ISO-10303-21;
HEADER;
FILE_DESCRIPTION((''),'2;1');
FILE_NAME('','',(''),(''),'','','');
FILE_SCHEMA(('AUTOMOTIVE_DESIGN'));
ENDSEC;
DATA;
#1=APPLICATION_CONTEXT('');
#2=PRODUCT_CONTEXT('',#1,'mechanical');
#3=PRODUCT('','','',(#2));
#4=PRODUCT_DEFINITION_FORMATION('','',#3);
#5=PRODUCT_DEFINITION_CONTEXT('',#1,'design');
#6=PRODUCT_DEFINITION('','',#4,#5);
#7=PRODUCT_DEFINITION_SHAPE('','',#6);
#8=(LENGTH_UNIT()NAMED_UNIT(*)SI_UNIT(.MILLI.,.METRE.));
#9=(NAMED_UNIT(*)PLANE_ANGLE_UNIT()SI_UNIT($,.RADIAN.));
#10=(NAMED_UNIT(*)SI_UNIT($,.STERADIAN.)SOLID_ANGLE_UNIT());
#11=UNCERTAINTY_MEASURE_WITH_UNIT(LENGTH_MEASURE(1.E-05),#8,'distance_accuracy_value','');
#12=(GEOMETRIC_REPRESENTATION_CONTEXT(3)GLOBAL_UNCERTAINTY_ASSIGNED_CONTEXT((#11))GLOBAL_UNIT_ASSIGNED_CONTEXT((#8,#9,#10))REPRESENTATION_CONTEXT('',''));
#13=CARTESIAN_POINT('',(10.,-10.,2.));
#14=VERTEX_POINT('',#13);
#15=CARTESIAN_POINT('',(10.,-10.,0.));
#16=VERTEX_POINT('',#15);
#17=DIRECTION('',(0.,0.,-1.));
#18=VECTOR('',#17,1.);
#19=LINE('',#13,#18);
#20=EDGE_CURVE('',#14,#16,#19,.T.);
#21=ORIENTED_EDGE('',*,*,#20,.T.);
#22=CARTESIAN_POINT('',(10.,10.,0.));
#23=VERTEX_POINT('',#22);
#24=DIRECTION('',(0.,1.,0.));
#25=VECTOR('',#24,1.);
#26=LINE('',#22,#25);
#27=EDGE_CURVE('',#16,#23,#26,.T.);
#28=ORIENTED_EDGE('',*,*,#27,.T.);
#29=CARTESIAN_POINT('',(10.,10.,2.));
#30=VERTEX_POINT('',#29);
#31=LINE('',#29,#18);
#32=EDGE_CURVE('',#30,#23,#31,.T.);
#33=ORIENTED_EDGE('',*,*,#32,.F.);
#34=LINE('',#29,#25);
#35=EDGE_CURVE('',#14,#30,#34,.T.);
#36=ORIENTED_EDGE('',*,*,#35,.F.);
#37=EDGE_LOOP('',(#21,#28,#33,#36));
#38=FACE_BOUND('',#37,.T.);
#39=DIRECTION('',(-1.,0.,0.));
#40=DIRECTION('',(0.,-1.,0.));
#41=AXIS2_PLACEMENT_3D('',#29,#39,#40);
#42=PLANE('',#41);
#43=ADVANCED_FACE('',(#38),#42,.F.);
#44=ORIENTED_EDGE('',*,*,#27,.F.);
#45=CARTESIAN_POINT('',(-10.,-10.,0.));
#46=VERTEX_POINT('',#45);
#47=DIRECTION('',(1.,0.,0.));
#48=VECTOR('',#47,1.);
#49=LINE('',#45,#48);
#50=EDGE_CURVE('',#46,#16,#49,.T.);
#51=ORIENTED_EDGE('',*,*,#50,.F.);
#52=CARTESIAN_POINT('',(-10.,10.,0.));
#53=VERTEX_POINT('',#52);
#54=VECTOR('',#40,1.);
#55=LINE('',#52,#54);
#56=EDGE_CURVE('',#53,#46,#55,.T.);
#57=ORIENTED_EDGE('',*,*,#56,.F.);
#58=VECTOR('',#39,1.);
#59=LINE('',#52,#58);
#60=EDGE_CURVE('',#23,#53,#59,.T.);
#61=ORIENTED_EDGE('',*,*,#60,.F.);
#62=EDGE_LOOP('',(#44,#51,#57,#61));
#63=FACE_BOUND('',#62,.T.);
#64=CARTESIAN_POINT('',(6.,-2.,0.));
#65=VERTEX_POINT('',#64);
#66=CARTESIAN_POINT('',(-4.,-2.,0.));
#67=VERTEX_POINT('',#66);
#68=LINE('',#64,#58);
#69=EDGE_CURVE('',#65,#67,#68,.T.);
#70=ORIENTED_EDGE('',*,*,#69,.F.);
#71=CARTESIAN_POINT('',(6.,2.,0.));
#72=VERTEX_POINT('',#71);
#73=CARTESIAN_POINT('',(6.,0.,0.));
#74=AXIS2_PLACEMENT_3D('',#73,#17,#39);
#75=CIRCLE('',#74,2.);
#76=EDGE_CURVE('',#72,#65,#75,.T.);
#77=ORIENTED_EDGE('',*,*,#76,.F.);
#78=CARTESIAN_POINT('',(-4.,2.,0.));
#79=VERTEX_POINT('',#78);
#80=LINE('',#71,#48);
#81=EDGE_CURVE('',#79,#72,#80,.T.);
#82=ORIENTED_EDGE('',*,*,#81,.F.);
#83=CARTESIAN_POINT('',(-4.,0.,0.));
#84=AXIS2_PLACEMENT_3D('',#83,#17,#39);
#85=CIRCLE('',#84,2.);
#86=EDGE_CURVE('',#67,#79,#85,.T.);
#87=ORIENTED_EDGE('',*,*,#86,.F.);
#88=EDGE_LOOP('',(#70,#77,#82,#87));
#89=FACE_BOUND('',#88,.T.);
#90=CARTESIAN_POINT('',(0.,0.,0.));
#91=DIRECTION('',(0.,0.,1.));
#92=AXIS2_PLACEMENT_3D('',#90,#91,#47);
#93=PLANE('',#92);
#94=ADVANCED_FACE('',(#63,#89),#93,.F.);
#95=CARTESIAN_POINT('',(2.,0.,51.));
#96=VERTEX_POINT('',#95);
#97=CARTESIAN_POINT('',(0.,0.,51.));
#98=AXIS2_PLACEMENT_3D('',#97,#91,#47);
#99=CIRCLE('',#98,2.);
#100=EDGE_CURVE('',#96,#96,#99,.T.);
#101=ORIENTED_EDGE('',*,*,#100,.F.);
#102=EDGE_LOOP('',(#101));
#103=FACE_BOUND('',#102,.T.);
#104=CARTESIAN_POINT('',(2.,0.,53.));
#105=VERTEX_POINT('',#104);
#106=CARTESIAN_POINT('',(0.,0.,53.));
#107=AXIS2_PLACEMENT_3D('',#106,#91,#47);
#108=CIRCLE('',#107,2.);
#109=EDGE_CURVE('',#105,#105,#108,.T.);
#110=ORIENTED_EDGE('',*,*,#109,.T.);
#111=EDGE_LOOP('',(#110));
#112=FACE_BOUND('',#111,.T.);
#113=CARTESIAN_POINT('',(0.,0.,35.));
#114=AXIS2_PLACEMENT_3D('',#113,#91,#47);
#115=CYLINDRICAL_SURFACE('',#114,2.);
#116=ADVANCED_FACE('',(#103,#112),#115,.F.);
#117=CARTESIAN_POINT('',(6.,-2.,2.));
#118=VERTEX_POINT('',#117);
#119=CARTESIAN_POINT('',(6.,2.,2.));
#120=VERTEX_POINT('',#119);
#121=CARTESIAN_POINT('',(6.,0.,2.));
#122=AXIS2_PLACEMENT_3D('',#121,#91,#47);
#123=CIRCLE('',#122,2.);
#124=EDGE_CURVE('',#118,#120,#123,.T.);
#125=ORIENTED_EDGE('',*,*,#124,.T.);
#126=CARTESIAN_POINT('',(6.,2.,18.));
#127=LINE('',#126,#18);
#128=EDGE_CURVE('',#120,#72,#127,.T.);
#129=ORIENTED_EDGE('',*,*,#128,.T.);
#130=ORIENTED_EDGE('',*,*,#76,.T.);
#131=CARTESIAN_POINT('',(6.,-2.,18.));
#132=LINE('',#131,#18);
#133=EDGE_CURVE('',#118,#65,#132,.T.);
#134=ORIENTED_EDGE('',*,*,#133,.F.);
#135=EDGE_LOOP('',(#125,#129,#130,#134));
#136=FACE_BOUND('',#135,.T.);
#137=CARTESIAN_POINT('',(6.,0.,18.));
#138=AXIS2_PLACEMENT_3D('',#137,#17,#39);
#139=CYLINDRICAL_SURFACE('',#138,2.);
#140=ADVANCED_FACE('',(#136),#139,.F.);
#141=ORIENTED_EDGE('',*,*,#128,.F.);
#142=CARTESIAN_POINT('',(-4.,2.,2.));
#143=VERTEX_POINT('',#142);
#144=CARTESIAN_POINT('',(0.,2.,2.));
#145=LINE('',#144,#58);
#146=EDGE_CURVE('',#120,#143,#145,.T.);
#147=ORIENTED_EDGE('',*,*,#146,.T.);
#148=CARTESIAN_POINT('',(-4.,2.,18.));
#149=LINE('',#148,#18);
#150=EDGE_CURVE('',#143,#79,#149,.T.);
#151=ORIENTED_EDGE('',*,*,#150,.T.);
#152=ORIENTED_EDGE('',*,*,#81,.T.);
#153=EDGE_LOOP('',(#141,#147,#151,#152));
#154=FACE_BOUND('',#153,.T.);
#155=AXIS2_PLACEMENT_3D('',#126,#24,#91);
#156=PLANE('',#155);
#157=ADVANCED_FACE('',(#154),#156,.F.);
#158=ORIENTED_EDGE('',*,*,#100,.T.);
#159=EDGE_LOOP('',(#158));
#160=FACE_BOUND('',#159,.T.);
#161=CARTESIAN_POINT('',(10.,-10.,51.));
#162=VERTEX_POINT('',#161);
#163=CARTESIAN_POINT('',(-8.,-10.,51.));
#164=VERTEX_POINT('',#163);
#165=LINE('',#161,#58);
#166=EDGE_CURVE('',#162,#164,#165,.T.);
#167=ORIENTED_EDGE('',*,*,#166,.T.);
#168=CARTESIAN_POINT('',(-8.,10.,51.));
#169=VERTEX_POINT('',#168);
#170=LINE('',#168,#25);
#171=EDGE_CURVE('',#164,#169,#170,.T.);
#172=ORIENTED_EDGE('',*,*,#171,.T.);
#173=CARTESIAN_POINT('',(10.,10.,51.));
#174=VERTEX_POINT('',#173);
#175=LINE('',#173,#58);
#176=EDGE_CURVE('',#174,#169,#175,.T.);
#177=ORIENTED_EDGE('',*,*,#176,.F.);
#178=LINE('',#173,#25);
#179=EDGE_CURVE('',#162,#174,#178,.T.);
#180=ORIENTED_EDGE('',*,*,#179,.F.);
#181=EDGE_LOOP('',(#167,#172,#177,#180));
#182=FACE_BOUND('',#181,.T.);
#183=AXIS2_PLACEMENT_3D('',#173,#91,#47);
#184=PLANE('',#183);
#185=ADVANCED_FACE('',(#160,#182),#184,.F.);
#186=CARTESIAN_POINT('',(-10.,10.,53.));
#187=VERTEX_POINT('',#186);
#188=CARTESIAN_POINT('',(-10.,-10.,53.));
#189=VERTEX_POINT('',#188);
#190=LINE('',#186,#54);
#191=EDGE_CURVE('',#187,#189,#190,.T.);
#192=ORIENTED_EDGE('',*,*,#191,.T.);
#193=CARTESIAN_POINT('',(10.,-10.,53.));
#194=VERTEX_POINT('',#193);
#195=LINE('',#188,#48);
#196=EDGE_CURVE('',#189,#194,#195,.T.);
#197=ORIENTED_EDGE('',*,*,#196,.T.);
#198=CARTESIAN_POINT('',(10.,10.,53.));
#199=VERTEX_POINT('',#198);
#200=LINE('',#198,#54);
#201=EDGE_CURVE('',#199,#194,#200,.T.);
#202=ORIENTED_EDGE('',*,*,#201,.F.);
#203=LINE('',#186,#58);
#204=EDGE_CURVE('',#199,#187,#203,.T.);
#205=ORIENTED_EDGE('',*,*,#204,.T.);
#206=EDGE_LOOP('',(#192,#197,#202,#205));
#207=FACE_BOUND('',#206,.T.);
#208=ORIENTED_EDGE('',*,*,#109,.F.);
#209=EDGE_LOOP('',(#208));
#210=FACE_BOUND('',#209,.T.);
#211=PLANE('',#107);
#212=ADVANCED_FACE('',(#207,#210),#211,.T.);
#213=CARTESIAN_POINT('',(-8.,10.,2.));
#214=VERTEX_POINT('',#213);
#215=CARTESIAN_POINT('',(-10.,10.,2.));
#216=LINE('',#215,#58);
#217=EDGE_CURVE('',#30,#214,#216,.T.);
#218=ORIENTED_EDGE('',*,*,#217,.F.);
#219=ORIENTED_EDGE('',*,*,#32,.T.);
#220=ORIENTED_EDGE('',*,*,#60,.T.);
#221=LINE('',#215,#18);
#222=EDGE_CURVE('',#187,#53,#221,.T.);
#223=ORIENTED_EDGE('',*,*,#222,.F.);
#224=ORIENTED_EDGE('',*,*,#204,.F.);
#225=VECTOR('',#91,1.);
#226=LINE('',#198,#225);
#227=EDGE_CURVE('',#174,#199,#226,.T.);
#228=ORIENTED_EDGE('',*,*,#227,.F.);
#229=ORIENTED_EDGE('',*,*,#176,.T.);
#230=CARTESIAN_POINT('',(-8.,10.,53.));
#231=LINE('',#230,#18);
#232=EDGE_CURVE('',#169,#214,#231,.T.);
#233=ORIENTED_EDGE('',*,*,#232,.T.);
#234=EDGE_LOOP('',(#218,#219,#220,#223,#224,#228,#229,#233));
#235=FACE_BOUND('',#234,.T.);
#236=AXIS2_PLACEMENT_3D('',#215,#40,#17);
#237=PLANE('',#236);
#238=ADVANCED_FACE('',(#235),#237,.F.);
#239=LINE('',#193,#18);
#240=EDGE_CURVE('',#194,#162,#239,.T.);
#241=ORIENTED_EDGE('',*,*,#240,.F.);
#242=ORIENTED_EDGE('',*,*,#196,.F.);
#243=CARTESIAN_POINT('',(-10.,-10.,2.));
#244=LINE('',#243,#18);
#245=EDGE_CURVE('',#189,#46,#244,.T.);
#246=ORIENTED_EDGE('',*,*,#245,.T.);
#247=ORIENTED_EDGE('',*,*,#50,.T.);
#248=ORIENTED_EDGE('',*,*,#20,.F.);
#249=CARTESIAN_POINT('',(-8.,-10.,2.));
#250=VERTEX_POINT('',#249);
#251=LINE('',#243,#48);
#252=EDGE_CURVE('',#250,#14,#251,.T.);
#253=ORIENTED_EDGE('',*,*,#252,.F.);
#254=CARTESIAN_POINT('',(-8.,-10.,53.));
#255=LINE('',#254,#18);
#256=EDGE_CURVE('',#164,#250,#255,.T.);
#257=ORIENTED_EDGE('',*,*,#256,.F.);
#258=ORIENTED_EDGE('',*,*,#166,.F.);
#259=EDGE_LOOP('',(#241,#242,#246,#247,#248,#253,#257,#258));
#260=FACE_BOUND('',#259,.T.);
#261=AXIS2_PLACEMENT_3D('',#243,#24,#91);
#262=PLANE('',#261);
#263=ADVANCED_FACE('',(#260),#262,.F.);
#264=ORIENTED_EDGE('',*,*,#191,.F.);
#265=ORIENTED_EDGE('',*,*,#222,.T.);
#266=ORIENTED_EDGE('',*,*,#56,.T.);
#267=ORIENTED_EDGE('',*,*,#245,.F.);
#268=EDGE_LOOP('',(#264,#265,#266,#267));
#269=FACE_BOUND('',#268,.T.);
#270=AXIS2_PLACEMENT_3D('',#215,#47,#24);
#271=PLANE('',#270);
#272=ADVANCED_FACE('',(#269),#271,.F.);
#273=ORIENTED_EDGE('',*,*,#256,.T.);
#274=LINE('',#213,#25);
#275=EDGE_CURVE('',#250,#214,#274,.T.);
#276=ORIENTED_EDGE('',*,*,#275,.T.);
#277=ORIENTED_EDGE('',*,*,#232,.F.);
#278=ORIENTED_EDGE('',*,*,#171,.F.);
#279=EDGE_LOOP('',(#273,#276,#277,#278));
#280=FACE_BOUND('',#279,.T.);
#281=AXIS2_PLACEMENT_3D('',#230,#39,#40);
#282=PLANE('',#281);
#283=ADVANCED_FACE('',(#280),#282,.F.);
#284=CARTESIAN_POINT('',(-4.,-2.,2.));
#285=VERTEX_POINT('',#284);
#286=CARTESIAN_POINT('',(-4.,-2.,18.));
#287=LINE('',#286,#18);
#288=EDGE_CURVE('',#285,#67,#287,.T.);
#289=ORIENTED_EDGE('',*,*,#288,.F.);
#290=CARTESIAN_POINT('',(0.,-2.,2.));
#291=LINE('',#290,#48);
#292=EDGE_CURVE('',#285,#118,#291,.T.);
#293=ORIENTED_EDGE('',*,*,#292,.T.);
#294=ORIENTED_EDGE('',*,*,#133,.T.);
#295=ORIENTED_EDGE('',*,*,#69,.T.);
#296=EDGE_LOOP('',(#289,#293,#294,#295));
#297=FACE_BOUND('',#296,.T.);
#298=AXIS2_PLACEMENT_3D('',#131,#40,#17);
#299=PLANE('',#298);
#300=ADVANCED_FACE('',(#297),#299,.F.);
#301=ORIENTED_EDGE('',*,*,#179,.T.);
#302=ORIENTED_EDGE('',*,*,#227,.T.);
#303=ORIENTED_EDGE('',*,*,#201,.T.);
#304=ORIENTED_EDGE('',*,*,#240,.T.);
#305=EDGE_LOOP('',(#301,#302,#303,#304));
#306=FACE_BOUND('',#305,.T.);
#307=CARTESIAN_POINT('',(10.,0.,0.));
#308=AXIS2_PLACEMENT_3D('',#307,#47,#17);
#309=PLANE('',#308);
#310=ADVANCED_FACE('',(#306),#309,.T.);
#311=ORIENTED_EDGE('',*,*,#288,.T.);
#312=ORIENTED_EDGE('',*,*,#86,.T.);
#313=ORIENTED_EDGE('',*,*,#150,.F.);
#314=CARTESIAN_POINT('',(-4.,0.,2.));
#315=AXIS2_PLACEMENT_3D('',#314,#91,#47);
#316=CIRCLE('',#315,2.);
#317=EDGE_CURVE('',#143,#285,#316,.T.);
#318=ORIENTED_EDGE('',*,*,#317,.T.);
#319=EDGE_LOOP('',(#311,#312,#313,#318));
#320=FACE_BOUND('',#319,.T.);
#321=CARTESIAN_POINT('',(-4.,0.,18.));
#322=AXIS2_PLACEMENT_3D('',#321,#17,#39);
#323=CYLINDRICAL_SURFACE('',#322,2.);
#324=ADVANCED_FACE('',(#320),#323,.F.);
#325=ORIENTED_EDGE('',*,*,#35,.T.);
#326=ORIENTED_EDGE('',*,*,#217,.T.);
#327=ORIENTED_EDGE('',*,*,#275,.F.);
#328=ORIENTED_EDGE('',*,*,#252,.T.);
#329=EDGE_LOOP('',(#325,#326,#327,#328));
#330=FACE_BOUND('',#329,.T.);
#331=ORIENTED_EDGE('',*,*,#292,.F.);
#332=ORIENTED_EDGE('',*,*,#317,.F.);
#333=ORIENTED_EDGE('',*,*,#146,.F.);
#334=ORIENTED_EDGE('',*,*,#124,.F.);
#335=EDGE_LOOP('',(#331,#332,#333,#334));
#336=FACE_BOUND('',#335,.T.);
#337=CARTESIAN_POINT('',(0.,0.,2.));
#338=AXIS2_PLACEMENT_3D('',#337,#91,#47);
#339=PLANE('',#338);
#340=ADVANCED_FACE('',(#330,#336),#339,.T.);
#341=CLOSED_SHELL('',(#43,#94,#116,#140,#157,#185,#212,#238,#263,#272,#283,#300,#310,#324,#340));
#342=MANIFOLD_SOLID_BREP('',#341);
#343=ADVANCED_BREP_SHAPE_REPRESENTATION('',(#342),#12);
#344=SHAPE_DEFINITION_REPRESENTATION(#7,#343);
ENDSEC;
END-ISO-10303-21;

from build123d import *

# Parameters (mm, degrees)
SKETCH1_W           = 20
SKETCH1_H           = 20
BOSS_EXTRUDE1_DEPTH = 2
SKETCH2_W           = 2
SKETCH2_H           = 20
BOSS_EXTRUDE2_DEPTH = 51
SKETCH3_W           = 2
SKETCH3_H           = 20
BOSS_EXTRUDE3_DEPTH = 18
SKETCH4_R           = 2
CUT_EXTRUDE1_DEPTH  = 18
CUT_EXTRUDE2_DEPTH  = 18


with BuildPart() as part:
    # Sketch1 → Boss-Extrude1 (new body)
    with BuildSketch(Plane.XY):
        Rectangle(SKETCH1_W, SKETCH1_H)
    extrude(amount=BOSS_EXTRUDE1_DEPTH)

    # Sketch2 → Boss-Extrude2 (add)
    with BuildSketch(Plane.XY.offset(2)):
        with Locations((-9, 0)):
            Rectangle(SKETCH2_W, SKETCH2_H)
    extrude(amount=BOSS_EXTRUDE2_DEPTH)

    # Sketch3 → Boss-Extrude3 (add)
    with BuildSketch(Plane(origin=(-8, 0, 0), x_dir=(0, 0, -1), z_dir=(1, 0, 0))):
        with Locations((-52, 0)):
            Rectangle(SKETCH3_W, SKETCH3_H)
    extrude(amount=BOSS_EXTRUDE3_DEPTH)

    # Sketch4 → Cut-Extrude1 (cut)
    with BuildSketch(Plane.XY.offset(53)):
        Circle(SKETCH4_R)
    extrude(amount=-CUT_EXTRUDE1_DEPTH, mode=Mode.SUBTRACT)

    # Sketch5 → Cut-Extrude2 (cut)
    with BuildSketch(Plane(origin=(0, 0, 0), x_dir=(-1, 0, 0), z_dir=(0, 0, -1))):
        with BuildLine():
            Line((-6, 2), (4, 2))
            ThreePointArc((4, 2), (6, 0), (4, -2))
            Line((4, -2), (-6, -2))
            ThreePointArc((-6, -2), (-8, 0), (-6, 2))
        make_face()
    extrude(amount=-CUT_EXTRUDE2_DEPTH, mode=Mode.SUBTRACT)


solid = part.part
